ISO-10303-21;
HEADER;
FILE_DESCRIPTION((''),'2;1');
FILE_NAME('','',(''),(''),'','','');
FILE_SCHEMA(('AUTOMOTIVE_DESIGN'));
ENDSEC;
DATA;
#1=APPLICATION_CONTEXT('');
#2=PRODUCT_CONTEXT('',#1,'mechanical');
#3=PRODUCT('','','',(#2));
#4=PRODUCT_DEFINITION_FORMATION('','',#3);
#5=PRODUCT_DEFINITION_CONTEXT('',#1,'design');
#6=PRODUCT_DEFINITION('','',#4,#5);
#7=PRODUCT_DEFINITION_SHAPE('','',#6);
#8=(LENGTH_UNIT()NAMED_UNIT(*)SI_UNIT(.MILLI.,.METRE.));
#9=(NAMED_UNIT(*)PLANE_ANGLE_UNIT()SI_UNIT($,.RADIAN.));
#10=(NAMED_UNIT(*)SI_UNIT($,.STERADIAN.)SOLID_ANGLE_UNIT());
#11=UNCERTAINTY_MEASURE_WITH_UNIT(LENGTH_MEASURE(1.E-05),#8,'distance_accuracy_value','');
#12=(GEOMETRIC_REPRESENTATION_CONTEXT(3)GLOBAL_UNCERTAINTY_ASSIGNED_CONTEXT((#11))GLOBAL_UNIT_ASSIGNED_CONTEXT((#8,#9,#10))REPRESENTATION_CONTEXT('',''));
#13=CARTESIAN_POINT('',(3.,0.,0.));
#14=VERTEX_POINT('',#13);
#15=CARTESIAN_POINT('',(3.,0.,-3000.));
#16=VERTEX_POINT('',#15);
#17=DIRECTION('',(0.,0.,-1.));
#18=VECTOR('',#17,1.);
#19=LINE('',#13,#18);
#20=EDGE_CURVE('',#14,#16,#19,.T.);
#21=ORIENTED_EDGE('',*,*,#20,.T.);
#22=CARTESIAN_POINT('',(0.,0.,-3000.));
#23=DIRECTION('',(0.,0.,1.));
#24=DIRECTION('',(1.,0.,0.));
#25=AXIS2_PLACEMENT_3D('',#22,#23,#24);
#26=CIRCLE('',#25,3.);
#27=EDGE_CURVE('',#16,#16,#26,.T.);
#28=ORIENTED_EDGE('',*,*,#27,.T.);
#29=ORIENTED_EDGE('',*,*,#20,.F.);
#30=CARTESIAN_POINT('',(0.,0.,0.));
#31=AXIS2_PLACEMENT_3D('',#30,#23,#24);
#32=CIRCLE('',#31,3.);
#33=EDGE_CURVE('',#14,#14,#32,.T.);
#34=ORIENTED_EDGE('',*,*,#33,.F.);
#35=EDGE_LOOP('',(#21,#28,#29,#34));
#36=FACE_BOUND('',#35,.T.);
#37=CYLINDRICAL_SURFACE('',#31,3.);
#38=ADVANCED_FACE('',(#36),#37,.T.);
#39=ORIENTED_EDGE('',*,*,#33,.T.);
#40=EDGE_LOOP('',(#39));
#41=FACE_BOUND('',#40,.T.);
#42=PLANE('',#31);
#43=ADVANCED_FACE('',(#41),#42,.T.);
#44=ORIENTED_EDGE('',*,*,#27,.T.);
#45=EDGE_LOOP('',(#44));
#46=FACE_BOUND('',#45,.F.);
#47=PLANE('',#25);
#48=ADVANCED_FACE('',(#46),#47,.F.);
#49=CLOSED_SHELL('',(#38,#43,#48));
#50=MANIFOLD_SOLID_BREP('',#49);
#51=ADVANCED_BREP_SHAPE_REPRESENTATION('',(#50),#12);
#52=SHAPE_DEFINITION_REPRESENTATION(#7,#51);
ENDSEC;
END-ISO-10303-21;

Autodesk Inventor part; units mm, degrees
ref_plane "YZ Plane" through (0, 0, 0) normal (1, 0, 0) x (0, 1, 0)
ref_plane "XZ Plane" through (0, 0, 0) normal (0, 1, 0) x (-1, 0, 0)
ref_plane "XY Plane" through (0, 0, 0) normal (0, 0, 1) x (1, 0, 0)
sketch "Sketch1" plane through (0, 0, 0) normal (0, 0, 1) x (1, 0, 0)
  circle A0 centre (0, 0) radius 3
  dimension "d0" = 6
extrude "Extrusion1" add sketch "Sketch1" against normal blind 3000
properties part number "MSC 814 STRING FOR SHEETS GILLS"
